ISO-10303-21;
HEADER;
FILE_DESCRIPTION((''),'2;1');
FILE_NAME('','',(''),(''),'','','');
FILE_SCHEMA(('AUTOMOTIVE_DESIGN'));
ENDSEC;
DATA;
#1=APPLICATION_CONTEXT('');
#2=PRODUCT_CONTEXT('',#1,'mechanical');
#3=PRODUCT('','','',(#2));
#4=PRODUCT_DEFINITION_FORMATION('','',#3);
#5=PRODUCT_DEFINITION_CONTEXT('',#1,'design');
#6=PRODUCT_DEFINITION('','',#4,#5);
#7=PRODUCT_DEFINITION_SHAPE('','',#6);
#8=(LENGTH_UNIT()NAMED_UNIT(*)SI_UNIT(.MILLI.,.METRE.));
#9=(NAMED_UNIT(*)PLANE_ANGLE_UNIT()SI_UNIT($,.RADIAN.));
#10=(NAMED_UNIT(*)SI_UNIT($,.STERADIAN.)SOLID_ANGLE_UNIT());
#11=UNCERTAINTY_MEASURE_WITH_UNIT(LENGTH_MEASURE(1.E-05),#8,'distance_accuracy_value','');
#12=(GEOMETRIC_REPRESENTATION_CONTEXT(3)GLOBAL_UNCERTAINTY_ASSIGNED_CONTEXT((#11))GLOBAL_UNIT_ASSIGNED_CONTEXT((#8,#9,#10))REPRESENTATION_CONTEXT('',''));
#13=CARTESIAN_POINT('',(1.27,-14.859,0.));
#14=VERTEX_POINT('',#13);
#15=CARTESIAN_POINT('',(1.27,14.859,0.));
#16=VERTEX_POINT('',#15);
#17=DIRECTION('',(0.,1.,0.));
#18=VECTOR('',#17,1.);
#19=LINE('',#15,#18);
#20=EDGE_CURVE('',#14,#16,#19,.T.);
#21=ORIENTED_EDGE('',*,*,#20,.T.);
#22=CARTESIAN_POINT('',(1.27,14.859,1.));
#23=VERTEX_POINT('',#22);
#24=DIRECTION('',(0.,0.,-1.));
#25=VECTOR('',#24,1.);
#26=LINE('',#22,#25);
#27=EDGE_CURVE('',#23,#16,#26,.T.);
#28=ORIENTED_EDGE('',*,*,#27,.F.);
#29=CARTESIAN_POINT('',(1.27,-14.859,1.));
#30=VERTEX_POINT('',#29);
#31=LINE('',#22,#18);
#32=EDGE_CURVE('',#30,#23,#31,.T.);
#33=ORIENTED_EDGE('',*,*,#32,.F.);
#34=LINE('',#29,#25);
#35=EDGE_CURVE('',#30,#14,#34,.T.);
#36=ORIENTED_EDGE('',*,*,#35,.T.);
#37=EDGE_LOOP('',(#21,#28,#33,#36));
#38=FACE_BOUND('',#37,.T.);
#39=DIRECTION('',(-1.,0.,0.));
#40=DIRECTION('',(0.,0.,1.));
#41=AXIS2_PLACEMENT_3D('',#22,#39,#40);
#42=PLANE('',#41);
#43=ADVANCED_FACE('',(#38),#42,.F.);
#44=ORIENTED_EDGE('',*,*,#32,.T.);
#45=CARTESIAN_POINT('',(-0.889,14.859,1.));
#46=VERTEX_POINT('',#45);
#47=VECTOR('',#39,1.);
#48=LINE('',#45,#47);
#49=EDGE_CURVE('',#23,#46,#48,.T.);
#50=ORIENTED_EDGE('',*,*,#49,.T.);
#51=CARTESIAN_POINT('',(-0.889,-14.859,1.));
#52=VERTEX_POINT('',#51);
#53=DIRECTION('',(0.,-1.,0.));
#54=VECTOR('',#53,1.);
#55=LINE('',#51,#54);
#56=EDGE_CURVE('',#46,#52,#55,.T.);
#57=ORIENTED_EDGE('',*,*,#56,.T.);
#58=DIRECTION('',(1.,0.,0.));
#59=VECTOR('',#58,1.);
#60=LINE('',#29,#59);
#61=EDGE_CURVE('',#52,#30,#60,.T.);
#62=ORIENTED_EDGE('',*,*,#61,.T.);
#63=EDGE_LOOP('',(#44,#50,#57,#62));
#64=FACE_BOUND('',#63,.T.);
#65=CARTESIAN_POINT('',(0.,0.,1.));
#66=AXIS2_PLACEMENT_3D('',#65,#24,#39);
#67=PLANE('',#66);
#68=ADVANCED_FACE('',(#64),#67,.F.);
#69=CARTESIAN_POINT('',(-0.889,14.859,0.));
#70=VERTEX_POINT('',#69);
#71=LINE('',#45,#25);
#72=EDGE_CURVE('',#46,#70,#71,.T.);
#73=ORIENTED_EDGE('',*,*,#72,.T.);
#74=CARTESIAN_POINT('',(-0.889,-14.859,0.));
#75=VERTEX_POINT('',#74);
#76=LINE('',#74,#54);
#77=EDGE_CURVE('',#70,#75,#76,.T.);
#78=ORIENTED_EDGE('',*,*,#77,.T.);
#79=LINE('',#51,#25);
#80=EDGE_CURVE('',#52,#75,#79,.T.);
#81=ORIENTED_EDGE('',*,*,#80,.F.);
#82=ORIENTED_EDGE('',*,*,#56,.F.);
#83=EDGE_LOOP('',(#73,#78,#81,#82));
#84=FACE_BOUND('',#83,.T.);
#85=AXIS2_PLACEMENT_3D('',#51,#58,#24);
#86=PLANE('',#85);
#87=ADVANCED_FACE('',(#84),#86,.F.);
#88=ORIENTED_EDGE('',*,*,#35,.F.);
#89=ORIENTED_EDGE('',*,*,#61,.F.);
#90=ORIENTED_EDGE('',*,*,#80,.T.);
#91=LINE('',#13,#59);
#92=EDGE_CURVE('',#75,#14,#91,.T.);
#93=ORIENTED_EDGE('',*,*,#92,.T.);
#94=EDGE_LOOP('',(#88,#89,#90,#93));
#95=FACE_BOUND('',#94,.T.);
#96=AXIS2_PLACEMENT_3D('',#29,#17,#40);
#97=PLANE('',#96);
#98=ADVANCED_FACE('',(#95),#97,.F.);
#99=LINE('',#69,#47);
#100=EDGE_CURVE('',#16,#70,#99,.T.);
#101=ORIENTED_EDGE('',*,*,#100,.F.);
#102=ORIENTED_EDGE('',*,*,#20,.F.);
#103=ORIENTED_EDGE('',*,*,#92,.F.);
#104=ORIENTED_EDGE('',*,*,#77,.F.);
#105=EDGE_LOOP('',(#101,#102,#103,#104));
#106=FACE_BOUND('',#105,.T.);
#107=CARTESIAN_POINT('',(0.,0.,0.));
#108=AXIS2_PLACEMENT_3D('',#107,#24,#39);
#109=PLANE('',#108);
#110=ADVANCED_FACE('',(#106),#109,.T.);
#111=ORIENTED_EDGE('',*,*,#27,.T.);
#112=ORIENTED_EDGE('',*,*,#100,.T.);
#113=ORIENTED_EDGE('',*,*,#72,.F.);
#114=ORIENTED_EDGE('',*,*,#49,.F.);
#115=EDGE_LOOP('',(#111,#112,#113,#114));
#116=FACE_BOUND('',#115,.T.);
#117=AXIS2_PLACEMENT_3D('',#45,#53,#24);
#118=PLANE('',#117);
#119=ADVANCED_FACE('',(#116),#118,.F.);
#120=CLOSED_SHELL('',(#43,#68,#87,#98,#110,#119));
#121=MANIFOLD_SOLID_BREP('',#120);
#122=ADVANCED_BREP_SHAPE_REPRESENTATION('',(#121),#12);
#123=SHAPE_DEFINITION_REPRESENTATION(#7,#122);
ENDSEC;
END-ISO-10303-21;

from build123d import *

# Parameters (mm, degrees)
SKETCH1_W               = 2.159
SKETCH1_H               = 29.718
COMPONENT_OUTLINE_DEPTH = 1


with BuildPart() as part:
    # Sketch1 → Component_Outline (new body)
    with BuildSketch(Plane.XY):
        with Locations((0.1905, 0)):
            Rectangle(SKETCH1_W, SKETCH1_H)
    extrude(amount=COMPONENT_OUTLINE_DEPTH)


solid = part.part
